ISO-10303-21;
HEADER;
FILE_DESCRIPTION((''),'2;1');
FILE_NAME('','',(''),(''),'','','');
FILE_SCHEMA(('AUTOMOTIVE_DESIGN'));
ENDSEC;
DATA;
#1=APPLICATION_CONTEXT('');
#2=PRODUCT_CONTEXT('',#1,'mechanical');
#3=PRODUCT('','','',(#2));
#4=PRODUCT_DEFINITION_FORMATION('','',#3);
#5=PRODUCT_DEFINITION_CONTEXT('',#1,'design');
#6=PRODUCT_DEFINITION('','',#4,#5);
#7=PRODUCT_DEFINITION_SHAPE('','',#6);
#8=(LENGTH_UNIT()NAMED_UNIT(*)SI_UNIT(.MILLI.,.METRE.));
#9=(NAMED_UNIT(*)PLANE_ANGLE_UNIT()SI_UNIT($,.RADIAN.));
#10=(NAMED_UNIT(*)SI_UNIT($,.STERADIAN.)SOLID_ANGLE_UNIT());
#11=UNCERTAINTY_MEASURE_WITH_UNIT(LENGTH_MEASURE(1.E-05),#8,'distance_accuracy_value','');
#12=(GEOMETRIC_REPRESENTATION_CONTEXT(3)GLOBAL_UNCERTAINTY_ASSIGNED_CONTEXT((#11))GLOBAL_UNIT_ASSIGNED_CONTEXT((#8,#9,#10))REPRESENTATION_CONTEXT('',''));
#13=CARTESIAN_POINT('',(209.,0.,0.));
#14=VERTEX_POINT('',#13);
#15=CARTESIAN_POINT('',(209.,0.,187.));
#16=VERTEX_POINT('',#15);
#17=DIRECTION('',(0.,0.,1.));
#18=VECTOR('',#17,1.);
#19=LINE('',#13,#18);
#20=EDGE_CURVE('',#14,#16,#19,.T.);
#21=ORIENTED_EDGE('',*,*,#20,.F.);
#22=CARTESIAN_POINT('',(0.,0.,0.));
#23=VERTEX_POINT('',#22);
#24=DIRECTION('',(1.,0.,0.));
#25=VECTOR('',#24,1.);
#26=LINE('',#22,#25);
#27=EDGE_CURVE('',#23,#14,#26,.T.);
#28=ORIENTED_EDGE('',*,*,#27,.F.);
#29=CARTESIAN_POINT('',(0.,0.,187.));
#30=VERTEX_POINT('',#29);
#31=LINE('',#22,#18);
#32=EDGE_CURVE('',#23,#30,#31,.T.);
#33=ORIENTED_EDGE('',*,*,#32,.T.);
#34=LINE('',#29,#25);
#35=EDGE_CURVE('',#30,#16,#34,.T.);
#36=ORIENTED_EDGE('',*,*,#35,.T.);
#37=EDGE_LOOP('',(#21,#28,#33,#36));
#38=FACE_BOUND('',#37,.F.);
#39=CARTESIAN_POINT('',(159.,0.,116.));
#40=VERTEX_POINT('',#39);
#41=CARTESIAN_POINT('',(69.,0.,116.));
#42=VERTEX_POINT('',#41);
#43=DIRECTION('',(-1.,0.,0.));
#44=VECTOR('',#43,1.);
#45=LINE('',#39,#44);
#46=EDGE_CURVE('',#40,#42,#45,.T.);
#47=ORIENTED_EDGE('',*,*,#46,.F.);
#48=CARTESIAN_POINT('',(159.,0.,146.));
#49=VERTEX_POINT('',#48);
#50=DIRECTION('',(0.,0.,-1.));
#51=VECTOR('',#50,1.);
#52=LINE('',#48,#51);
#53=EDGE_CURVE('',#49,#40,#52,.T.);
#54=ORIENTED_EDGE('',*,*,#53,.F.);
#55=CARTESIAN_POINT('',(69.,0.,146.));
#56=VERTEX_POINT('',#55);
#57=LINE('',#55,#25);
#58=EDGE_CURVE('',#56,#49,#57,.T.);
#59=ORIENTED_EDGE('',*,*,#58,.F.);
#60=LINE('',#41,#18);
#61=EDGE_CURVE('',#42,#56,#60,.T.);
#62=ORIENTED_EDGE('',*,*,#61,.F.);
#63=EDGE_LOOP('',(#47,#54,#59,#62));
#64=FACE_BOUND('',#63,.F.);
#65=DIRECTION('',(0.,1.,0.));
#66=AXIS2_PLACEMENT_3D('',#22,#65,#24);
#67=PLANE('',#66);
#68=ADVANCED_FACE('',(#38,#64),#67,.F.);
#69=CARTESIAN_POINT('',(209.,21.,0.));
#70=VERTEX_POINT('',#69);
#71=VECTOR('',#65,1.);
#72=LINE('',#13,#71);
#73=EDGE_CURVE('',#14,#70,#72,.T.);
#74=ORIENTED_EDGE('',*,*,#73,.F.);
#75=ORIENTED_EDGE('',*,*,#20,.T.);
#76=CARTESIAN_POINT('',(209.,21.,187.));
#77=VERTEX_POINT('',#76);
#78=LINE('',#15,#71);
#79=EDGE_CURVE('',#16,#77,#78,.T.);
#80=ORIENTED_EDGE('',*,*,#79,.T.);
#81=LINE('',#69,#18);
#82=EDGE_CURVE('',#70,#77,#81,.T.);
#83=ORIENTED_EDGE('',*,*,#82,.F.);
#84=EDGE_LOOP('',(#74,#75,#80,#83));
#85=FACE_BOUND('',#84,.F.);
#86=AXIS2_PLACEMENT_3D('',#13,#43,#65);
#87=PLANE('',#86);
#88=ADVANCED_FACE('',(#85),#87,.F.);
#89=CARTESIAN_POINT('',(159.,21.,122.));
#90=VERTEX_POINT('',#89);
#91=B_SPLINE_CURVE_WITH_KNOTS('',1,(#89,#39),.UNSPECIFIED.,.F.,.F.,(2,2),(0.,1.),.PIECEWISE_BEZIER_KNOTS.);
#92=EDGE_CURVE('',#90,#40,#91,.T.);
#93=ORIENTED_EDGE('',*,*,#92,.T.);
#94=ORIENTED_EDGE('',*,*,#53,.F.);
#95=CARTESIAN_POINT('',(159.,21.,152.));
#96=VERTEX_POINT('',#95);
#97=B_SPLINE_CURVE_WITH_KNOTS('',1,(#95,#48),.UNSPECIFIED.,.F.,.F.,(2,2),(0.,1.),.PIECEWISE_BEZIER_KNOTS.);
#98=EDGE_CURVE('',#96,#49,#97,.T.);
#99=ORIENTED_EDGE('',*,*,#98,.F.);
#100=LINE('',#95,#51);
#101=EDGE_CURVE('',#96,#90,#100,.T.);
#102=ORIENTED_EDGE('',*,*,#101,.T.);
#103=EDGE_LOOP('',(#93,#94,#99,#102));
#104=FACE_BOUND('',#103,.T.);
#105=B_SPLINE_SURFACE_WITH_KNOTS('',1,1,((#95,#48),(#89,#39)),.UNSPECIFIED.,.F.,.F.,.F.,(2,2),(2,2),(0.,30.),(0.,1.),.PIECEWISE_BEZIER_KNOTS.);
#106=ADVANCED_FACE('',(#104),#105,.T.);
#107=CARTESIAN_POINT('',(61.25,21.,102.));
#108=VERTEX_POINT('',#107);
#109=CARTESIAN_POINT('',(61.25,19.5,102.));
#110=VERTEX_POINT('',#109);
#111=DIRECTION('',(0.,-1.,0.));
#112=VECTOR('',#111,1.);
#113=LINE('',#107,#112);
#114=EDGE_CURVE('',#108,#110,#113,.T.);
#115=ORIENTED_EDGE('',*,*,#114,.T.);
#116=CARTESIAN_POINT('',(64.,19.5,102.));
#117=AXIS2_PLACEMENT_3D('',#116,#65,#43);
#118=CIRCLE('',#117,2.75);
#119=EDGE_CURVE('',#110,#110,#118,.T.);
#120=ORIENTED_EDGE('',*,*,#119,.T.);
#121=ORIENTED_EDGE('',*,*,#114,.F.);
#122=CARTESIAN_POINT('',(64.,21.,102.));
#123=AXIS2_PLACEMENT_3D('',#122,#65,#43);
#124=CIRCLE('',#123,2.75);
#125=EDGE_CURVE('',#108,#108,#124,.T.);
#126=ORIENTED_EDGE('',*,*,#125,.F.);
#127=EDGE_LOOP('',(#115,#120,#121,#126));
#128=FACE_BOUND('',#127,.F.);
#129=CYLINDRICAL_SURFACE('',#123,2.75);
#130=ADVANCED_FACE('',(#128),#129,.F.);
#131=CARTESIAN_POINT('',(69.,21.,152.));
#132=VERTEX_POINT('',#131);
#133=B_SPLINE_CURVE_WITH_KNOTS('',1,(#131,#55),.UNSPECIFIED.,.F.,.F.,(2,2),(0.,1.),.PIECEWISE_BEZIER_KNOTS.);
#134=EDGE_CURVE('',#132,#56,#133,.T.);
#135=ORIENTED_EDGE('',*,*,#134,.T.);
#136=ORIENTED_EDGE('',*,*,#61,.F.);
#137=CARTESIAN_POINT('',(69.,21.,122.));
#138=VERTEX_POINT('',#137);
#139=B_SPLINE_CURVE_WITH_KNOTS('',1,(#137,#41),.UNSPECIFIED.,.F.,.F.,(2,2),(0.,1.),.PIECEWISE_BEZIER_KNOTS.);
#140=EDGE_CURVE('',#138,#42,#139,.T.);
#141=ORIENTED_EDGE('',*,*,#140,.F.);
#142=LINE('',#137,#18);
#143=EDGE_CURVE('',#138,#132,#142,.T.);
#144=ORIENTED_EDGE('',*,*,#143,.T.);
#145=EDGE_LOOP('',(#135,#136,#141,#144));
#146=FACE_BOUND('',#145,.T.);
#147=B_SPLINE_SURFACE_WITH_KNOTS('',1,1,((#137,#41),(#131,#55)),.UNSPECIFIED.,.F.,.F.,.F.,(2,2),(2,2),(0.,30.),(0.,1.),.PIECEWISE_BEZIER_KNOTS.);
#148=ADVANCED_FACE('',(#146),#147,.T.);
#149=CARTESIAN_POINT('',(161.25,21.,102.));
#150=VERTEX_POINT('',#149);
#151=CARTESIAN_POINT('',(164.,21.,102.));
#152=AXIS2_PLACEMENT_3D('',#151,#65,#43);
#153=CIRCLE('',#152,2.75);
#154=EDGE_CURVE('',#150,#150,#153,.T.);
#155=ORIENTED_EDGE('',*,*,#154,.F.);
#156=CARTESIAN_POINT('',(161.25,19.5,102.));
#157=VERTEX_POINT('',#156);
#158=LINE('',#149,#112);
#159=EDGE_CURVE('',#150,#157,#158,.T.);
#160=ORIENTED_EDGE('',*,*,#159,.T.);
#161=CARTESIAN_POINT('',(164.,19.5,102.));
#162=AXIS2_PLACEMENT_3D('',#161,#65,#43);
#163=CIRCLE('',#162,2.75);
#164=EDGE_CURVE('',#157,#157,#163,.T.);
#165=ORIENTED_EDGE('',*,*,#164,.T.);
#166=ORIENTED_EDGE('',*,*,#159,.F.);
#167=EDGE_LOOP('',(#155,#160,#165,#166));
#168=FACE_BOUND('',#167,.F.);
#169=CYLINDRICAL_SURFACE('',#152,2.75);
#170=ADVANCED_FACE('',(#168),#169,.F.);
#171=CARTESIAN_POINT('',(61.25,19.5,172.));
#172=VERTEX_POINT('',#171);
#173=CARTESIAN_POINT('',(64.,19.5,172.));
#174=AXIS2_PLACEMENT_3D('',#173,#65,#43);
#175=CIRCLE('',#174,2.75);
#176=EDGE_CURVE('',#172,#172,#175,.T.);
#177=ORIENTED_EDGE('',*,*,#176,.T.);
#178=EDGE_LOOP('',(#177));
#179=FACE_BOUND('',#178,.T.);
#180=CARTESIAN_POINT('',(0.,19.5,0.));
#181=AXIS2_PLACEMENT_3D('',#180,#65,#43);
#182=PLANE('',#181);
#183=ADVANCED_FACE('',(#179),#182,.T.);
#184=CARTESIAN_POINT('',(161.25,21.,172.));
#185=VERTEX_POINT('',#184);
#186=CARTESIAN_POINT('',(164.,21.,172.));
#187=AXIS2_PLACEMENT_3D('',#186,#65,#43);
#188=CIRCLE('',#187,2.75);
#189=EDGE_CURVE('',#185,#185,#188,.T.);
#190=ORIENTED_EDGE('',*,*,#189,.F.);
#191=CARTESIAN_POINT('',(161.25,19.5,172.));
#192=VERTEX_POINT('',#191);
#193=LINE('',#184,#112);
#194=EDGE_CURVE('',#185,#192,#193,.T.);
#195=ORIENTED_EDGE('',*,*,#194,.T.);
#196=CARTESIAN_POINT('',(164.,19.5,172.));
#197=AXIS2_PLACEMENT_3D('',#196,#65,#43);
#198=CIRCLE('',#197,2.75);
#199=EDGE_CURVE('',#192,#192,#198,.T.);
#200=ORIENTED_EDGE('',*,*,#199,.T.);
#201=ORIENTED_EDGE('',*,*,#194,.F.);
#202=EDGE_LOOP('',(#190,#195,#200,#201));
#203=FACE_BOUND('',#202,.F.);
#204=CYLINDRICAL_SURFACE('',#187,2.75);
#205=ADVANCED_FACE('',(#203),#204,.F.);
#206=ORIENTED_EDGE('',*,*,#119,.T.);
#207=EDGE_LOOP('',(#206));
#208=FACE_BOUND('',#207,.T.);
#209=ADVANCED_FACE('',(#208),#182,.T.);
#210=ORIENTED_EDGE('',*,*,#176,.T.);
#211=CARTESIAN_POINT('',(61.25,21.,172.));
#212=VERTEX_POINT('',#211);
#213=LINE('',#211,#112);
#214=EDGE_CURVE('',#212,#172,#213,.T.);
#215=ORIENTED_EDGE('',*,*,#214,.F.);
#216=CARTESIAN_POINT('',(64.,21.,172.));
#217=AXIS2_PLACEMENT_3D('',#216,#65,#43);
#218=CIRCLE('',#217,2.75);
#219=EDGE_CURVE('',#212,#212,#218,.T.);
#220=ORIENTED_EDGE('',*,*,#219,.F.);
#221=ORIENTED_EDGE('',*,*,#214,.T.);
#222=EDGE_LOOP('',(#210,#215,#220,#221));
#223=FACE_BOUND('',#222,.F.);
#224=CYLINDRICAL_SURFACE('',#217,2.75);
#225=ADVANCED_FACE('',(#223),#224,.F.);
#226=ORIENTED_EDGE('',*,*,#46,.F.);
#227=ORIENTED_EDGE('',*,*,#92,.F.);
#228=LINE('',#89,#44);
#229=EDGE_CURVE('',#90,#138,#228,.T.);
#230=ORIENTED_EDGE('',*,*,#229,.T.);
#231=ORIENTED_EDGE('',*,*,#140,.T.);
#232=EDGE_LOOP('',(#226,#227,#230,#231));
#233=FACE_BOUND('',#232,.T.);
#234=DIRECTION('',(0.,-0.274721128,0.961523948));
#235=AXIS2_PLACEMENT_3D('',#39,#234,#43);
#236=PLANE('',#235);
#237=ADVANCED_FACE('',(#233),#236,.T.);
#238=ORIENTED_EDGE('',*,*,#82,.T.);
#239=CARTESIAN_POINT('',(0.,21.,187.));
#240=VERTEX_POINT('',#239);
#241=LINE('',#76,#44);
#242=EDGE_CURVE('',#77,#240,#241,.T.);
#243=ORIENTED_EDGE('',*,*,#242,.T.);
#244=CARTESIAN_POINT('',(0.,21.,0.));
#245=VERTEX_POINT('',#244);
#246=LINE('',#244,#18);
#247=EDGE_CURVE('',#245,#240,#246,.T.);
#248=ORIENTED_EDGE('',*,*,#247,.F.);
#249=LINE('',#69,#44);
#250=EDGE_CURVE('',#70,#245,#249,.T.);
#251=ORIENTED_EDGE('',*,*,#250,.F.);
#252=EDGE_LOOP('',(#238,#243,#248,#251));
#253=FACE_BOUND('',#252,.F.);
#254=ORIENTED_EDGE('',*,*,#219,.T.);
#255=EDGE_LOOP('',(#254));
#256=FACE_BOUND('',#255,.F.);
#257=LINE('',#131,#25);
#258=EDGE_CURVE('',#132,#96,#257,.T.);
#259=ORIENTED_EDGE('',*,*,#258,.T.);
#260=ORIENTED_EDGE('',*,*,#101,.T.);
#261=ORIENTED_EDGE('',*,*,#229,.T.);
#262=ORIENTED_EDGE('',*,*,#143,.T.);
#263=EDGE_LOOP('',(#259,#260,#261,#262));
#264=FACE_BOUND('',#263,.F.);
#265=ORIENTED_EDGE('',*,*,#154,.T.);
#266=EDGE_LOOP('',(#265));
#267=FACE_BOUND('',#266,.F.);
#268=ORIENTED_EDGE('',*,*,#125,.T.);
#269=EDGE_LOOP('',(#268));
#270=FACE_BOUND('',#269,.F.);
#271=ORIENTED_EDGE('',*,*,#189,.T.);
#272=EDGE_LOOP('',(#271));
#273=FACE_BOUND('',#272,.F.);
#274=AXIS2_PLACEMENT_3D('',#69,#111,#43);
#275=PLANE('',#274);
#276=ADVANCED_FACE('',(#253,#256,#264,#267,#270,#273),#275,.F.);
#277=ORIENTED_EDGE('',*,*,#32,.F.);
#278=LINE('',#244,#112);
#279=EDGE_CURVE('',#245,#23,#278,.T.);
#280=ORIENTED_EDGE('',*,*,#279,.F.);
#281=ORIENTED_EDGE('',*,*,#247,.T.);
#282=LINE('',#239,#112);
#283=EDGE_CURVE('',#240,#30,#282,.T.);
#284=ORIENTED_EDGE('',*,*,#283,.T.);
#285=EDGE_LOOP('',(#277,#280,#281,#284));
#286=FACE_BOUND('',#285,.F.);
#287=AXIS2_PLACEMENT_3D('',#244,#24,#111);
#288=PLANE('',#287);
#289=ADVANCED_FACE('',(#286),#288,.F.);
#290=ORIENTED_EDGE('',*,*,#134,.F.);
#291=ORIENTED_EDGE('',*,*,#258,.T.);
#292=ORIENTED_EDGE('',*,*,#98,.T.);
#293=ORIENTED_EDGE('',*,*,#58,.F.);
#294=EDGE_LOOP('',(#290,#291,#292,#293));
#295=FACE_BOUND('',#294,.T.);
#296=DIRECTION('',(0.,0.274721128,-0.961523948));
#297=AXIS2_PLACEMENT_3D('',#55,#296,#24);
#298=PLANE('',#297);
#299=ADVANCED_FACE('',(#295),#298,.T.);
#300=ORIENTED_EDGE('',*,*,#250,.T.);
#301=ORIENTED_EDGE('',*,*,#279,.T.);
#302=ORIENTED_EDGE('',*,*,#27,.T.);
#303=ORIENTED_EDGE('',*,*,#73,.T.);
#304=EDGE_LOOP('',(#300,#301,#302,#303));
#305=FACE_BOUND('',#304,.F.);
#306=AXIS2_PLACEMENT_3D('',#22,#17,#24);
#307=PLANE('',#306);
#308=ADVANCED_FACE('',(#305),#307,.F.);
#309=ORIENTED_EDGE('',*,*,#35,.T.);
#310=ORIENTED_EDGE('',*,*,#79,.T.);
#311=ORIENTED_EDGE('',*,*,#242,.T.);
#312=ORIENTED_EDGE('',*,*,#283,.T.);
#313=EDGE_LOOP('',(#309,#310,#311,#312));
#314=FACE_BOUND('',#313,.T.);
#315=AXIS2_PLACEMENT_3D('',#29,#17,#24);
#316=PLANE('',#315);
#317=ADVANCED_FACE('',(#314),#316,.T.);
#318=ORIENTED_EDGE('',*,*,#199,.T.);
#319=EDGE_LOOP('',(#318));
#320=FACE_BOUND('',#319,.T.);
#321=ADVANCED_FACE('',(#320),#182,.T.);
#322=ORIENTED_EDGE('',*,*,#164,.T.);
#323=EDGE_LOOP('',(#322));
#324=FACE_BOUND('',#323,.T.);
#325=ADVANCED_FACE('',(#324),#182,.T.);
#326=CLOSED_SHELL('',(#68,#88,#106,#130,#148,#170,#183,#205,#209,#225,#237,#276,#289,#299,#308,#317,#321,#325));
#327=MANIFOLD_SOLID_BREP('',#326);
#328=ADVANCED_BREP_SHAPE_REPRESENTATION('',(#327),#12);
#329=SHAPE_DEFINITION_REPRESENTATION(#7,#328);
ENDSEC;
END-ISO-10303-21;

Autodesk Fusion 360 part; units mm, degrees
sketch "Smartie Feed" plane through (0, 0, 0) normal (0, 0, 1) x (1, 0, 0)
  line L0 (0, 0) -> (209, 0)
  line L1 (209, 0) -> (209, 21)
  line L2 (209, 21) -> (0, 21)
  line L3 (0, 21) -> (0, 0)
  dimension "d1" = 209
  dimension "d2" = 21
extrude "Extrude1" add sketch "Smartie Feed" along normal blind 187
sketch "Outlet" plane through (0, 0, 0) normal (0, -1, 0) x (1, 0, 0)
  line L0 (0, 0) -> (209, 0)
  line L1 (209, 0) -> (209, 187)
  line L2 (209, 187) -> (0, 187)
  line L3 (0, 187) -> (0, 0)
  line L4 (69, 146) -> (159, 146)
  line L5 (159, 146) -> (159, 116)
  line L6 (159, 116) -> (69, 116)
  line L7 (69, 116) -> (69, 146)
  dimension "d31" = 30
  dimension "d32" = 90
  dimension "d33" = 69
  dimension "d34" = 50
  dimension "d35" = 41
sketch "Inlet" plane through (0, 21, 0) normal (0, 1, 0) x (-1, 0, 0)
  line L0 (-209, 0) -> (0, 0)
  line L1 (0, 0) -> (0, 187)
  line L2 (0, 187) -> (-209, 187)
  line L3 (-209, 187) -> (-209, 0)
  line L4 (-69, 152) -> (-159, 152)
  line L5 (-159, 152) -> (-159, 122)
  line L6 (-159, 122) -> (-69, 122)
  line L7 (-69, 122) -> (-69, 152)
  dimension "d36" = 90
  dimension "d37" = 69
  dimension "d38" = 30
  dimension "d39" = 35
  dimension "d40" = 50
loft "Loft9" cut profiles "Inlet", "Outlet" section 1 contours L4 L5 L6 L7 section 2 contours L4 L5 L6 L7
sketch "Sketch6" plane through (0, 21, 0) normal (0, 1, 0) x (-1, 0, 0)
  line L0 (-69, 152) -> (-69, 122)
  line L1 (-69, 122) -> (-159, 122)
  line L2 (-159, 122) -> (-159, 152)
  line L3 (-159, 152) -> (-69, 152)
  line L4 (-209, 0) -> (0, 0)
  line L5 (0, 0) -> (0, 187)
  line L6 (0, 187) -> (-209, 187)
  line L7 (-209, 187) -> (-209, 0)
  circle A0 centre (-164, 172) radius 2.75
  circle A1 centre (-64, 172) radius 2.75
  circle A2 centre (-164, 102) radius 2.75
  circle A3 centre (-64, 102) radius 2.75
  dimension "d43" = 5.5
  dimension "d44" = 5.5
  dimension "d45" = 5.5
  dimension "d46" = 5.5
  dimension "d49" = 64
  dimension "d50" = 64
  dimension "d51" = 164
  dimension "d52" = 164
  dimension "d53" = 20
  dimension "d54" = 20
  dimension "d55" = 20
  dimension "d56" = 20
extrude "Extrude2" cut sketch "Sketch6" against normal blind 1.5 contours A0 | A1 | A2 | A3
equation "d1 = 219 mm - 10 mm"
equation "d3 = 166 mm + 21 mm"
equation "outletHeight = 15 mm" comment "Height of the outlets into the sorted containers"
equation "outletWidth = 20 mm" comment "Width of the outlets into the sorted containers"
equation "sortedContainersMidpointWidth = sortedContainersWidth + polycarbonateThickness" comment "Width between the midpoints of the sorted containers"
equation "sortedContainersWidth = 60 mm" comment "Width of the sorted containers"
equation "sortedContainersHeight = 113 mm" comment "Height of the sorted containers"
equation "polycarbonateThickness = 6 mm" comment "Thickness of the polycarbonate"
equation "sortedContainersMidpointHeight = sortedContainersHeight + polycarbonateThickness" comment "Height between the midpoints of the sorted containers"
equation "d33 = 90 mm - 21 mm"
equation "d35 = 30 mm - 21 mm + 5 mm + 6 mm + 21 mm"
equation "d37 = 90 mm - 21 mm"
equation "d39 = 30 mm - 21 mm + 5 mm + 21 mm"
equation "magnetDiameter = 5 mm"
equation "magnetHeight = 1.5 mm"
equation "d43 = magnetDiameter + 0.5 mm"
equation "d44 = magnetDiameter + 0.5 mm"
equation "d45 = magnetDiameter + 0.5 mm"
equation "d46 = magnetDiameter + 0.5 mm"
equation "d47 = -magnetHeight"
equation "d49 = 75 mm - 21 mm + 10 mm"
equation "d50 = 75 mm - 21 mm + 10 mm"
equation "d51 = 195 mm - 10 mm - 21 mm"
equation "d52 = 195 mm - 10 mm - 21 mm"
